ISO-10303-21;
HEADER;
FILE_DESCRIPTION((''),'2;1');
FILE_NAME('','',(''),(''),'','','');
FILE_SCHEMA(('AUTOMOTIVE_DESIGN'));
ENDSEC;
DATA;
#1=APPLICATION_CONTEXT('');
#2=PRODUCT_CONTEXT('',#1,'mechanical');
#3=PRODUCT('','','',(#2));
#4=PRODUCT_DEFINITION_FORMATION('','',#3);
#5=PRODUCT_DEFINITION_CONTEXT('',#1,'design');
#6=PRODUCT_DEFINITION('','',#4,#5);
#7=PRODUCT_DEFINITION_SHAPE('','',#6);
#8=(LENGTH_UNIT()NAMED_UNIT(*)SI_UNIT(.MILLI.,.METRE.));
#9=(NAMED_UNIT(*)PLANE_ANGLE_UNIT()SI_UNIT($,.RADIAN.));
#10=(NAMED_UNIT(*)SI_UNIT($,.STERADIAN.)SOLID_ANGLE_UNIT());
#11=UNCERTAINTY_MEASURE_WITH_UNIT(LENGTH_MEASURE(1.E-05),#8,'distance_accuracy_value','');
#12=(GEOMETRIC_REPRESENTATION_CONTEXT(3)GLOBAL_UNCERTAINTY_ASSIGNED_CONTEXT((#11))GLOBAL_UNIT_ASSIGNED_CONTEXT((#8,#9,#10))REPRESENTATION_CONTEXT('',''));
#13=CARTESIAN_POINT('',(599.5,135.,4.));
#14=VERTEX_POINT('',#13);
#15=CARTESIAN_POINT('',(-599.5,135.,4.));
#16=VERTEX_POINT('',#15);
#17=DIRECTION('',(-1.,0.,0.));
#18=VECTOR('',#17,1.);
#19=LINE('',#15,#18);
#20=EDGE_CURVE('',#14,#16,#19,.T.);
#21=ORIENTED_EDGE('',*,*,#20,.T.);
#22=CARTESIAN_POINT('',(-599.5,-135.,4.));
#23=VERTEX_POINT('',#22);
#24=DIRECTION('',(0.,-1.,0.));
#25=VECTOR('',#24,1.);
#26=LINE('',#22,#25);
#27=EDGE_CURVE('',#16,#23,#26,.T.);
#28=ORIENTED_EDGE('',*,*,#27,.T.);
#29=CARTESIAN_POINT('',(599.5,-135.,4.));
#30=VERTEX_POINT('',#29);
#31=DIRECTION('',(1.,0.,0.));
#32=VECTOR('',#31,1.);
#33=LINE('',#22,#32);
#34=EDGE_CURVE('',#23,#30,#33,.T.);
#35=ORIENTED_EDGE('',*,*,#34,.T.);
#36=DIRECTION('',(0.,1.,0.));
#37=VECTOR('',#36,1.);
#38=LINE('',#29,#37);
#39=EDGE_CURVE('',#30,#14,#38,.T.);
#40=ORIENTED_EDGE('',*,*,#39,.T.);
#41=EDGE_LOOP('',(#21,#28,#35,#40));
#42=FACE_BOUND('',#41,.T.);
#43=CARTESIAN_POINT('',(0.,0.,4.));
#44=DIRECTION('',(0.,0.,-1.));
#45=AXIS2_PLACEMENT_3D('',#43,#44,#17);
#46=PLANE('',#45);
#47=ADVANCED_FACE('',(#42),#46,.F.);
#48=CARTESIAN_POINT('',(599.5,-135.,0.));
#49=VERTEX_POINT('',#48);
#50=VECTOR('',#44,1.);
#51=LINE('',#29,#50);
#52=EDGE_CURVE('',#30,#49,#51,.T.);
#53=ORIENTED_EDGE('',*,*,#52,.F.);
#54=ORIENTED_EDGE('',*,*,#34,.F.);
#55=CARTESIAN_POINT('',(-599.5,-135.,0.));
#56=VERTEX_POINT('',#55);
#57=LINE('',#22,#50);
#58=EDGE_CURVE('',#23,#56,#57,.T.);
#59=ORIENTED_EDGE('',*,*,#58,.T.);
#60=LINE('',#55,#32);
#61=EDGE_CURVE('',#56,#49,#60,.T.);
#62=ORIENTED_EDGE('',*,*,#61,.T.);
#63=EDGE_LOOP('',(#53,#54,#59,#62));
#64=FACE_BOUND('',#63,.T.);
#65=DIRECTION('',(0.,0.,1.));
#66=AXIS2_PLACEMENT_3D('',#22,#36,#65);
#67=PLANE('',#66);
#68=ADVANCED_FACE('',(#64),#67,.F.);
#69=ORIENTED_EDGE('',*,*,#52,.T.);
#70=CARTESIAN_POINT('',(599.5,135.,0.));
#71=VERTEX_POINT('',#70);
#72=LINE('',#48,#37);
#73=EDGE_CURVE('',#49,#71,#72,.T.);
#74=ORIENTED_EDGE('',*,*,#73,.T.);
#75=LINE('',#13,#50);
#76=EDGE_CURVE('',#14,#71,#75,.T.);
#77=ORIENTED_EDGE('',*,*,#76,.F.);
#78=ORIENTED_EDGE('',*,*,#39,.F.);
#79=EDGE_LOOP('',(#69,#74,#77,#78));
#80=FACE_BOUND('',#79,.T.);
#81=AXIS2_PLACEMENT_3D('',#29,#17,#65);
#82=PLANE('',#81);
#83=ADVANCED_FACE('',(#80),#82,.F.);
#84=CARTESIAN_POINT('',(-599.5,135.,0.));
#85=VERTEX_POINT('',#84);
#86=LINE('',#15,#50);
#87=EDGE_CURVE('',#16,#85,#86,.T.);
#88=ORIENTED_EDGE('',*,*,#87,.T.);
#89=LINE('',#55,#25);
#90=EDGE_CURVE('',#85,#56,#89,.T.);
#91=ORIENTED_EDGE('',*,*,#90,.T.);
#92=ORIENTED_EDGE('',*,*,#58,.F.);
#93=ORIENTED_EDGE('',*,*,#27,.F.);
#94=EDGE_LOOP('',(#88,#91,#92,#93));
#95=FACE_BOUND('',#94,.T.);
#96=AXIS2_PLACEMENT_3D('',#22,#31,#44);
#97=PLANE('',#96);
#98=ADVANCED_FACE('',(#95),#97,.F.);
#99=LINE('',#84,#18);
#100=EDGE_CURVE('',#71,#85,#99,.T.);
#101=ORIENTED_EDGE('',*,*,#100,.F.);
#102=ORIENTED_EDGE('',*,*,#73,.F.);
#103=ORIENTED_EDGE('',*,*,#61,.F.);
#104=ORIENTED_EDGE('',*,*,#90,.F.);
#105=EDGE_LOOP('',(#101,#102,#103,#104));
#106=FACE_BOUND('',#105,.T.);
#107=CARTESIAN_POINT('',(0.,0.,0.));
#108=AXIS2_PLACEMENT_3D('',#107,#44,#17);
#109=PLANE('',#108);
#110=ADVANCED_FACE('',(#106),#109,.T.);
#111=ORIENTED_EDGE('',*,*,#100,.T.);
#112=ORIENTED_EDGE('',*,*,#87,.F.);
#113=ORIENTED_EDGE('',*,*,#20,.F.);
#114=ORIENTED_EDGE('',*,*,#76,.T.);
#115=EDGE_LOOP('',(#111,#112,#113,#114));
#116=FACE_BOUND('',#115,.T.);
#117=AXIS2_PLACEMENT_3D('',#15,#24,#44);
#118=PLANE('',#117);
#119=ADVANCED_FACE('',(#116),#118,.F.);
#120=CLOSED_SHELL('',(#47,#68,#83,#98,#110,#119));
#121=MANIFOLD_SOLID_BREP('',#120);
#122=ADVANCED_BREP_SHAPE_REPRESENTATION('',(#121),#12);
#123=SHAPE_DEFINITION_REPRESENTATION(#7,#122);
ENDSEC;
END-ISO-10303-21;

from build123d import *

# Parameters (mm, degrees)
ESBO_O1_W                = 1199
ESBO_O1_H                = 270
RESSALTO_EXTRUS_O1_DEPTH = 4


with BuildPart() as part:
    # Esboço1 → Ressalto-extrusão1 (new body)
    with BuildSketch(Plane.XY):
        Rectangle(ESBO_O1_W, ESBO_O1_H)
    extrude(amount=RESSALTO_EXTRUS_O1_DEPTH)


solid = part.part
